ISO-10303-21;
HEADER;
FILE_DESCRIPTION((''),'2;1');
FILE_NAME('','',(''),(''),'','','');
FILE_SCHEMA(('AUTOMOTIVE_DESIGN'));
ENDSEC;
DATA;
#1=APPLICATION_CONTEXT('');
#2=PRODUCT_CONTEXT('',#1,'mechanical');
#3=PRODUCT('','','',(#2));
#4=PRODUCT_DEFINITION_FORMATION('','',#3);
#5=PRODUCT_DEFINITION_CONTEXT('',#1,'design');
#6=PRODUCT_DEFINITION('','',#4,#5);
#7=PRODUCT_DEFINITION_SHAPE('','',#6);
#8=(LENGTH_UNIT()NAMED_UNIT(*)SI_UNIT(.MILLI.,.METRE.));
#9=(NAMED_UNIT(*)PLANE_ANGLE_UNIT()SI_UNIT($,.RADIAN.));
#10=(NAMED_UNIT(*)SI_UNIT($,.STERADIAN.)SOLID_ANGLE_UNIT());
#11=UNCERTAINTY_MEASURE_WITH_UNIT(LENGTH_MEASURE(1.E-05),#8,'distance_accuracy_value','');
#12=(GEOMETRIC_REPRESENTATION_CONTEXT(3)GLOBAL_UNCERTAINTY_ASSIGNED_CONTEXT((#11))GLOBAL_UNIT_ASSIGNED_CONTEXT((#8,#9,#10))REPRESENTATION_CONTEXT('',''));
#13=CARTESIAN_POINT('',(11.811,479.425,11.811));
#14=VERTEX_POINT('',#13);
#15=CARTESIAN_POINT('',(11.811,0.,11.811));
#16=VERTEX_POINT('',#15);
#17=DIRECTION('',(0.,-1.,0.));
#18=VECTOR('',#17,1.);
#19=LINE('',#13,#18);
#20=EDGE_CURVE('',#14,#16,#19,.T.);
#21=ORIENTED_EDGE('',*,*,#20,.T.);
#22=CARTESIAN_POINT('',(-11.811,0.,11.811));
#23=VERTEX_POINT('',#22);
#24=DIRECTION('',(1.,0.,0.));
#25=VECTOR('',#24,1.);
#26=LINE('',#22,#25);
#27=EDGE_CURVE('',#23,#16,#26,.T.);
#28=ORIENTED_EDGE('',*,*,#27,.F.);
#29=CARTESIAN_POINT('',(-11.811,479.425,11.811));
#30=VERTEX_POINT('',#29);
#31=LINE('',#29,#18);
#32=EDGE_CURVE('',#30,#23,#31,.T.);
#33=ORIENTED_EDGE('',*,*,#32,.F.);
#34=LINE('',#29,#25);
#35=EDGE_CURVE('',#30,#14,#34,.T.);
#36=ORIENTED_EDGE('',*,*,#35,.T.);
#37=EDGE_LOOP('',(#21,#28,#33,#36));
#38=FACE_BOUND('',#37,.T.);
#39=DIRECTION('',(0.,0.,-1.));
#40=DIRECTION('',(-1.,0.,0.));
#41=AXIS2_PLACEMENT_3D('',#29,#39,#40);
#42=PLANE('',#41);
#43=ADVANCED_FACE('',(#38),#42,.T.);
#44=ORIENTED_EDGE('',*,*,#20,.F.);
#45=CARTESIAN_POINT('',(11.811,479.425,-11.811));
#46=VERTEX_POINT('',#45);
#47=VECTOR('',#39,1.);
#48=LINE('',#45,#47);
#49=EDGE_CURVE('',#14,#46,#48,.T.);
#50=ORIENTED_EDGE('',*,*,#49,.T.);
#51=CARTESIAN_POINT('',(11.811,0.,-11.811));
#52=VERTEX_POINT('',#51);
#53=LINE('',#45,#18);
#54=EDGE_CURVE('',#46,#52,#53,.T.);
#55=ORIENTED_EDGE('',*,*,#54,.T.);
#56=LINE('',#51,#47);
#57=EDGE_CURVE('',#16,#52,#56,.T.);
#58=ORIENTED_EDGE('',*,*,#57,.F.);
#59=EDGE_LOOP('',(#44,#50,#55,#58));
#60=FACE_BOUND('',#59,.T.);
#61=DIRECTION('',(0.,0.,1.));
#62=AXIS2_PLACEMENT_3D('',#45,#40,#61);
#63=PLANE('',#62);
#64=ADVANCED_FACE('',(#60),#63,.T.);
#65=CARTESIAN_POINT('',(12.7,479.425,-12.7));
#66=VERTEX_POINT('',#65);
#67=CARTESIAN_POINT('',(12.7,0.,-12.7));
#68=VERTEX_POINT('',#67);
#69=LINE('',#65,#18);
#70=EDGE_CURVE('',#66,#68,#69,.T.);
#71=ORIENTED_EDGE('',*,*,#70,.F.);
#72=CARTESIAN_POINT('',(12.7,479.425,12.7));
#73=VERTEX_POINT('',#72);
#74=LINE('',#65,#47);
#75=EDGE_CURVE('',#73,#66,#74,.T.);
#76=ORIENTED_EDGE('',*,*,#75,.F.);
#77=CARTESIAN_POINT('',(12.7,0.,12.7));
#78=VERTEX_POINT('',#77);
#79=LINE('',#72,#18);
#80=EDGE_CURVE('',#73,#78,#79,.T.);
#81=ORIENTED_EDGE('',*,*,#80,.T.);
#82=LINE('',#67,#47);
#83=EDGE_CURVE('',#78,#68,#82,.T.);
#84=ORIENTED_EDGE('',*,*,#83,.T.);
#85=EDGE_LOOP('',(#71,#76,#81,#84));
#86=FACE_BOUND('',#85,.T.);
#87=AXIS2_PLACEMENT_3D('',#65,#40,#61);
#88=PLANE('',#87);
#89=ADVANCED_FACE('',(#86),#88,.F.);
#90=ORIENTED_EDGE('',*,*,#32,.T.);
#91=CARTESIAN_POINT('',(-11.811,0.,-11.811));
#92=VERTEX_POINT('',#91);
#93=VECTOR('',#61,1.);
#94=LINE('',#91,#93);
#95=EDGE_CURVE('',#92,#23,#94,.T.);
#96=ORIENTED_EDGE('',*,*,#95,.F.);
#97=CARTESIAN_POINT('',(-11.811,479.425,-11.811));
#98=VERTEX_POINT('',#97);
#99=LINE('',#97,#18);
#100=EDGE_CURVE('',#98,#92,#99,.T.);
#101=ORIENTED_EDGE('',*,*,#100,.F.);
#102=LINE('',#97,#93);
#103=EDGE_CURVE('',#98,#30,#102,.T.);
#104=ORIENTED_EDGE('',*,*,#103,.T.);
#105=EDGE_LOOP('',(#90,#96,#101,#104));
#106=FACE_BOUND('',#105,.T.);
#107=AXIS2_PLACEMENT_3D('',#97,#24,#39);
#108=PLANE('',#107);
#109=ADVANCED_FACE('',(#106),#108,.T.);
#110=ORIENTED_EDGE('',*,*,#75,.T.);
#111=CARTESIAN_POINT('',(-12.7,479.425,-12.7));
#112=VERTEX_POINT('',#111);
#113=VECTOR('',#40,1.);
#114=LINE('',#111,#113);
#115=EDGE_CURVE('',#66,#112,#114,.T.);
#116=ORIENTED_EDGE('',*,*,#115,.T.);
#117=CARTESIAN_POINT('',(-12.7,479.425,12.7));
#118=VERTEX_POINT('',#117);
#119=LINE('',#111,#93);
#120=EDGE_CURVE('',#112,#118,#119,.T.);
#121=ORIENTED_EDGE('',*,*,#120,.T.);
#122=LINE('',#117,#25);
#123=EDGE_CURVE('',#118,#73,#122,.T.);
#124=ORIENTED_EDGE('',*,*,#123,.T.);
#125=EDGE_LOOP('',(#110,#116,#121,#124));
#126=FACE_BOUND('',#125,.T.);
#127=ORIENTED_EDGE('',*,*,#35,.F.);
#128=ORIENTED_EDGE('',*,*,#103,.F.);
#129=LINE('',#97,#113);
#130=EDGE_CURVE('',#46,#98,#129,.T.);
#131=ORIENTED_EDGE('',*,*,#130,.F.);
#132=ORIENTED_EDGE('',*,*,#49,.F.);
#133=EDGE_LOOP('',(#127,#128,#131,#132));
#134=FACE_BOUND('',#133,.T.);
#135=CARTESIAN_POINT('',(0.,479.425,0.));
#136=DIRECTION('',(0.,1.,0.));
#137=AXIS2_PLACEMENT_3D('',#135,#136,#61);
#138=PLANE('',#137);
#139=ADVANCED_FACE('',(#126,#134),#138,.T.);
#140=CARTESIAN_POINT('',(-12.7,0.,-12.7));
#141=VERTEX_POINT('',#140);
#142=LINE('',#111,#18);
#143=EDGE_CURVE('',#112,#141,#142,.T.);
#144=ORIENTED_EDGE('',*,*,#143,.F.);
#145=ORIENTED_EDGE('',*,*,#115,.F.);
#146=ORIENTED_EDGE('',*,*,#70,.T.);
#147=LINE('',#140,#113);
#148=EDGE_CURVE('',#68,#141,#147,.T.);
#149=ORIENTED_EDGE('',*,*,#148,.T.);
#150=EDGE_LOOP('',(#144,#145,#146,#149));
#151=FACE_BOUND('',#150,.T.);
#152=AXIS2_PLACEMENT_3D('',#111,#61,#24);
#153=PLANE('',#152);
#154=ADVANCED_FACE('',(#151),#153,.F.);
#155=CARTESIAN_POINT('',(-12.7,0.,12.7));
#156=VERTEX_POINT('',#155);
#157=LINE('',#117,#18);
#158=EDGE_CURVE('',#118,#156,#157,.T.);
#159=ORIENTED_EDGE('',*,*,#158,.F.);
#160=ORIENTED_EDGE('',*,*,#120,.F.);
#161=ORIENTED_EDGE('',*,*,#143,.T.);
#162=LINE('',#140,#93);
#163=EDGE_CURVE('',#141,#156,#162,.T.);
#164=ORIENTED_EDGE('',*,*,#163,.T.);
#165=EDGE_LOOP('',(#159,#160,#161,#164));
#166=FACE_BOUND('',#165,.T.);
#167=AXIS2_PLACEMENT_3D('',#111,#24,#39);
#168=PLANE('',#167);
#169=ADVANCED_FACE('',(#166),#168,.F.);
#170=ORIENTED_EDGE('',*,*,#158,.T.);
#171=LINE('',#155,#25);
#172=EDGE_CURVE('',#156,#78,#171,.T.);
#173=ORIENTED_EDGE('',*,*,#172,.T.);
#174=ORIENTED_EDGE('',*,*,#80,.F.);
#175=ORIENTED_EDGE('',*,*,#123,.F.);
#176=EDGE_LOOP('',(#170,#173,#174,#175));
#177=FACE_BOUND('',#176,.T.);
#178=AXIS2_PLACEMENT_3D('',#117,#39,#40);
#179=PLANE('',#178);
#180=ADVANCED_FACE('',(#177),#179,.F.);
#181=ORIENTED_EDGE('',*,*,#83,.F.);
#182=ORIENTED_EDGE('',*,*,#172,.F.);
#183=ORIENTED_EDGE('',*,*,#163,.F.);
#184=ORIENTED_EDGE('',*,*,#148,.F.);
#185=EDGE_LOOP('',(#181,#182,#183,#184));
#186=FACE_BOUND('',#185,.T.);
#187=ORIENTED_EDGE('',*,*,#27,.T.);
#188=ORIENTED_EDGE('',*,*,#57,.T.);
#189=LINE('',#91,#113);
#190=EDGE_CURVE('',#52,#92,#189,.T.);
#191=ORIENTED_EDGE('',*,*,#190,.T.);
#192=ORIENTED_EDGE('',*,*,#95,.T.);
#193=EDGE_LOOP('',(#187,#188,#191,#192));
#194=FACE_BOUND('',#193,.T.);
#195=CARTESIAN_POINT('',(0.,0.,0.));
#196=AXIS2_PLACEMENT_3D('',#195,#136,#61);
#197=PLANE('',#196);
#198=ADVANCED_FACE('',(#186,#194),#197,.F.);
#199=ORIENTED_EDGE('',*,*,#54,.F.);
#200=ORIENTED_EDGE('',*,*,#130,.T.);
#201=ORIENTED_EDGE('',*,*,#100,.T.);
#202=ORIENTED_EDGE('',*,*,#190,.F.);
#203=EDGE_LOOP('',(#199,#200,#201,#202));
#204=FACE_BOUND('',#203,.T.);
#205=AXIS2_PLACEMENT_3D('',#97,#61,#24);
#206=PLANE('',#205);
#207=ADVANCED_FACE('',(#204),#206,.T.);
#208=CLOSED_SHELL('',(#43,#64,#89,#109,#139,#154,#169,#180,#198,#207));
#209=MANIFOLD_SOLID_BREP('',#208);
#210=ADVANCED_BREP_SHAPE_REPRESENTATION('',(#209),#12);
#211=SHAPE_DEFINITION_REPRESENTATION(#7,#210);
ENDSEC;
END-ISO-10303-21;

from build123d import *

# Parameters (mm, degrees)
SKETCH1_W           = 25.4
SKETCH1_H           = 25.4
SKETCH1_W_2         = 23.622
SKETCH1_H_2         = 23.622
BOSS_EXTRUDE1_DEPTH = 479.425


with BuildPart() as part:
    # Sketch1 → Boss-Extrude1 (new body)
    with BuildSketch(Plane(origin=(0, 0, 0), x_dir=(1, 0, 0), z_dir=(0, 1, 0))):
        Rectangle(SKETCH1_W, SKETCH1_H)
        Rectangle(SKETCH1_W_2, SKETCH1_H_2, mode=Mode.SUBTRACT)
    extrude(amount=BOSS_EXTRUDE1_DEPTH)


solid = part.part
